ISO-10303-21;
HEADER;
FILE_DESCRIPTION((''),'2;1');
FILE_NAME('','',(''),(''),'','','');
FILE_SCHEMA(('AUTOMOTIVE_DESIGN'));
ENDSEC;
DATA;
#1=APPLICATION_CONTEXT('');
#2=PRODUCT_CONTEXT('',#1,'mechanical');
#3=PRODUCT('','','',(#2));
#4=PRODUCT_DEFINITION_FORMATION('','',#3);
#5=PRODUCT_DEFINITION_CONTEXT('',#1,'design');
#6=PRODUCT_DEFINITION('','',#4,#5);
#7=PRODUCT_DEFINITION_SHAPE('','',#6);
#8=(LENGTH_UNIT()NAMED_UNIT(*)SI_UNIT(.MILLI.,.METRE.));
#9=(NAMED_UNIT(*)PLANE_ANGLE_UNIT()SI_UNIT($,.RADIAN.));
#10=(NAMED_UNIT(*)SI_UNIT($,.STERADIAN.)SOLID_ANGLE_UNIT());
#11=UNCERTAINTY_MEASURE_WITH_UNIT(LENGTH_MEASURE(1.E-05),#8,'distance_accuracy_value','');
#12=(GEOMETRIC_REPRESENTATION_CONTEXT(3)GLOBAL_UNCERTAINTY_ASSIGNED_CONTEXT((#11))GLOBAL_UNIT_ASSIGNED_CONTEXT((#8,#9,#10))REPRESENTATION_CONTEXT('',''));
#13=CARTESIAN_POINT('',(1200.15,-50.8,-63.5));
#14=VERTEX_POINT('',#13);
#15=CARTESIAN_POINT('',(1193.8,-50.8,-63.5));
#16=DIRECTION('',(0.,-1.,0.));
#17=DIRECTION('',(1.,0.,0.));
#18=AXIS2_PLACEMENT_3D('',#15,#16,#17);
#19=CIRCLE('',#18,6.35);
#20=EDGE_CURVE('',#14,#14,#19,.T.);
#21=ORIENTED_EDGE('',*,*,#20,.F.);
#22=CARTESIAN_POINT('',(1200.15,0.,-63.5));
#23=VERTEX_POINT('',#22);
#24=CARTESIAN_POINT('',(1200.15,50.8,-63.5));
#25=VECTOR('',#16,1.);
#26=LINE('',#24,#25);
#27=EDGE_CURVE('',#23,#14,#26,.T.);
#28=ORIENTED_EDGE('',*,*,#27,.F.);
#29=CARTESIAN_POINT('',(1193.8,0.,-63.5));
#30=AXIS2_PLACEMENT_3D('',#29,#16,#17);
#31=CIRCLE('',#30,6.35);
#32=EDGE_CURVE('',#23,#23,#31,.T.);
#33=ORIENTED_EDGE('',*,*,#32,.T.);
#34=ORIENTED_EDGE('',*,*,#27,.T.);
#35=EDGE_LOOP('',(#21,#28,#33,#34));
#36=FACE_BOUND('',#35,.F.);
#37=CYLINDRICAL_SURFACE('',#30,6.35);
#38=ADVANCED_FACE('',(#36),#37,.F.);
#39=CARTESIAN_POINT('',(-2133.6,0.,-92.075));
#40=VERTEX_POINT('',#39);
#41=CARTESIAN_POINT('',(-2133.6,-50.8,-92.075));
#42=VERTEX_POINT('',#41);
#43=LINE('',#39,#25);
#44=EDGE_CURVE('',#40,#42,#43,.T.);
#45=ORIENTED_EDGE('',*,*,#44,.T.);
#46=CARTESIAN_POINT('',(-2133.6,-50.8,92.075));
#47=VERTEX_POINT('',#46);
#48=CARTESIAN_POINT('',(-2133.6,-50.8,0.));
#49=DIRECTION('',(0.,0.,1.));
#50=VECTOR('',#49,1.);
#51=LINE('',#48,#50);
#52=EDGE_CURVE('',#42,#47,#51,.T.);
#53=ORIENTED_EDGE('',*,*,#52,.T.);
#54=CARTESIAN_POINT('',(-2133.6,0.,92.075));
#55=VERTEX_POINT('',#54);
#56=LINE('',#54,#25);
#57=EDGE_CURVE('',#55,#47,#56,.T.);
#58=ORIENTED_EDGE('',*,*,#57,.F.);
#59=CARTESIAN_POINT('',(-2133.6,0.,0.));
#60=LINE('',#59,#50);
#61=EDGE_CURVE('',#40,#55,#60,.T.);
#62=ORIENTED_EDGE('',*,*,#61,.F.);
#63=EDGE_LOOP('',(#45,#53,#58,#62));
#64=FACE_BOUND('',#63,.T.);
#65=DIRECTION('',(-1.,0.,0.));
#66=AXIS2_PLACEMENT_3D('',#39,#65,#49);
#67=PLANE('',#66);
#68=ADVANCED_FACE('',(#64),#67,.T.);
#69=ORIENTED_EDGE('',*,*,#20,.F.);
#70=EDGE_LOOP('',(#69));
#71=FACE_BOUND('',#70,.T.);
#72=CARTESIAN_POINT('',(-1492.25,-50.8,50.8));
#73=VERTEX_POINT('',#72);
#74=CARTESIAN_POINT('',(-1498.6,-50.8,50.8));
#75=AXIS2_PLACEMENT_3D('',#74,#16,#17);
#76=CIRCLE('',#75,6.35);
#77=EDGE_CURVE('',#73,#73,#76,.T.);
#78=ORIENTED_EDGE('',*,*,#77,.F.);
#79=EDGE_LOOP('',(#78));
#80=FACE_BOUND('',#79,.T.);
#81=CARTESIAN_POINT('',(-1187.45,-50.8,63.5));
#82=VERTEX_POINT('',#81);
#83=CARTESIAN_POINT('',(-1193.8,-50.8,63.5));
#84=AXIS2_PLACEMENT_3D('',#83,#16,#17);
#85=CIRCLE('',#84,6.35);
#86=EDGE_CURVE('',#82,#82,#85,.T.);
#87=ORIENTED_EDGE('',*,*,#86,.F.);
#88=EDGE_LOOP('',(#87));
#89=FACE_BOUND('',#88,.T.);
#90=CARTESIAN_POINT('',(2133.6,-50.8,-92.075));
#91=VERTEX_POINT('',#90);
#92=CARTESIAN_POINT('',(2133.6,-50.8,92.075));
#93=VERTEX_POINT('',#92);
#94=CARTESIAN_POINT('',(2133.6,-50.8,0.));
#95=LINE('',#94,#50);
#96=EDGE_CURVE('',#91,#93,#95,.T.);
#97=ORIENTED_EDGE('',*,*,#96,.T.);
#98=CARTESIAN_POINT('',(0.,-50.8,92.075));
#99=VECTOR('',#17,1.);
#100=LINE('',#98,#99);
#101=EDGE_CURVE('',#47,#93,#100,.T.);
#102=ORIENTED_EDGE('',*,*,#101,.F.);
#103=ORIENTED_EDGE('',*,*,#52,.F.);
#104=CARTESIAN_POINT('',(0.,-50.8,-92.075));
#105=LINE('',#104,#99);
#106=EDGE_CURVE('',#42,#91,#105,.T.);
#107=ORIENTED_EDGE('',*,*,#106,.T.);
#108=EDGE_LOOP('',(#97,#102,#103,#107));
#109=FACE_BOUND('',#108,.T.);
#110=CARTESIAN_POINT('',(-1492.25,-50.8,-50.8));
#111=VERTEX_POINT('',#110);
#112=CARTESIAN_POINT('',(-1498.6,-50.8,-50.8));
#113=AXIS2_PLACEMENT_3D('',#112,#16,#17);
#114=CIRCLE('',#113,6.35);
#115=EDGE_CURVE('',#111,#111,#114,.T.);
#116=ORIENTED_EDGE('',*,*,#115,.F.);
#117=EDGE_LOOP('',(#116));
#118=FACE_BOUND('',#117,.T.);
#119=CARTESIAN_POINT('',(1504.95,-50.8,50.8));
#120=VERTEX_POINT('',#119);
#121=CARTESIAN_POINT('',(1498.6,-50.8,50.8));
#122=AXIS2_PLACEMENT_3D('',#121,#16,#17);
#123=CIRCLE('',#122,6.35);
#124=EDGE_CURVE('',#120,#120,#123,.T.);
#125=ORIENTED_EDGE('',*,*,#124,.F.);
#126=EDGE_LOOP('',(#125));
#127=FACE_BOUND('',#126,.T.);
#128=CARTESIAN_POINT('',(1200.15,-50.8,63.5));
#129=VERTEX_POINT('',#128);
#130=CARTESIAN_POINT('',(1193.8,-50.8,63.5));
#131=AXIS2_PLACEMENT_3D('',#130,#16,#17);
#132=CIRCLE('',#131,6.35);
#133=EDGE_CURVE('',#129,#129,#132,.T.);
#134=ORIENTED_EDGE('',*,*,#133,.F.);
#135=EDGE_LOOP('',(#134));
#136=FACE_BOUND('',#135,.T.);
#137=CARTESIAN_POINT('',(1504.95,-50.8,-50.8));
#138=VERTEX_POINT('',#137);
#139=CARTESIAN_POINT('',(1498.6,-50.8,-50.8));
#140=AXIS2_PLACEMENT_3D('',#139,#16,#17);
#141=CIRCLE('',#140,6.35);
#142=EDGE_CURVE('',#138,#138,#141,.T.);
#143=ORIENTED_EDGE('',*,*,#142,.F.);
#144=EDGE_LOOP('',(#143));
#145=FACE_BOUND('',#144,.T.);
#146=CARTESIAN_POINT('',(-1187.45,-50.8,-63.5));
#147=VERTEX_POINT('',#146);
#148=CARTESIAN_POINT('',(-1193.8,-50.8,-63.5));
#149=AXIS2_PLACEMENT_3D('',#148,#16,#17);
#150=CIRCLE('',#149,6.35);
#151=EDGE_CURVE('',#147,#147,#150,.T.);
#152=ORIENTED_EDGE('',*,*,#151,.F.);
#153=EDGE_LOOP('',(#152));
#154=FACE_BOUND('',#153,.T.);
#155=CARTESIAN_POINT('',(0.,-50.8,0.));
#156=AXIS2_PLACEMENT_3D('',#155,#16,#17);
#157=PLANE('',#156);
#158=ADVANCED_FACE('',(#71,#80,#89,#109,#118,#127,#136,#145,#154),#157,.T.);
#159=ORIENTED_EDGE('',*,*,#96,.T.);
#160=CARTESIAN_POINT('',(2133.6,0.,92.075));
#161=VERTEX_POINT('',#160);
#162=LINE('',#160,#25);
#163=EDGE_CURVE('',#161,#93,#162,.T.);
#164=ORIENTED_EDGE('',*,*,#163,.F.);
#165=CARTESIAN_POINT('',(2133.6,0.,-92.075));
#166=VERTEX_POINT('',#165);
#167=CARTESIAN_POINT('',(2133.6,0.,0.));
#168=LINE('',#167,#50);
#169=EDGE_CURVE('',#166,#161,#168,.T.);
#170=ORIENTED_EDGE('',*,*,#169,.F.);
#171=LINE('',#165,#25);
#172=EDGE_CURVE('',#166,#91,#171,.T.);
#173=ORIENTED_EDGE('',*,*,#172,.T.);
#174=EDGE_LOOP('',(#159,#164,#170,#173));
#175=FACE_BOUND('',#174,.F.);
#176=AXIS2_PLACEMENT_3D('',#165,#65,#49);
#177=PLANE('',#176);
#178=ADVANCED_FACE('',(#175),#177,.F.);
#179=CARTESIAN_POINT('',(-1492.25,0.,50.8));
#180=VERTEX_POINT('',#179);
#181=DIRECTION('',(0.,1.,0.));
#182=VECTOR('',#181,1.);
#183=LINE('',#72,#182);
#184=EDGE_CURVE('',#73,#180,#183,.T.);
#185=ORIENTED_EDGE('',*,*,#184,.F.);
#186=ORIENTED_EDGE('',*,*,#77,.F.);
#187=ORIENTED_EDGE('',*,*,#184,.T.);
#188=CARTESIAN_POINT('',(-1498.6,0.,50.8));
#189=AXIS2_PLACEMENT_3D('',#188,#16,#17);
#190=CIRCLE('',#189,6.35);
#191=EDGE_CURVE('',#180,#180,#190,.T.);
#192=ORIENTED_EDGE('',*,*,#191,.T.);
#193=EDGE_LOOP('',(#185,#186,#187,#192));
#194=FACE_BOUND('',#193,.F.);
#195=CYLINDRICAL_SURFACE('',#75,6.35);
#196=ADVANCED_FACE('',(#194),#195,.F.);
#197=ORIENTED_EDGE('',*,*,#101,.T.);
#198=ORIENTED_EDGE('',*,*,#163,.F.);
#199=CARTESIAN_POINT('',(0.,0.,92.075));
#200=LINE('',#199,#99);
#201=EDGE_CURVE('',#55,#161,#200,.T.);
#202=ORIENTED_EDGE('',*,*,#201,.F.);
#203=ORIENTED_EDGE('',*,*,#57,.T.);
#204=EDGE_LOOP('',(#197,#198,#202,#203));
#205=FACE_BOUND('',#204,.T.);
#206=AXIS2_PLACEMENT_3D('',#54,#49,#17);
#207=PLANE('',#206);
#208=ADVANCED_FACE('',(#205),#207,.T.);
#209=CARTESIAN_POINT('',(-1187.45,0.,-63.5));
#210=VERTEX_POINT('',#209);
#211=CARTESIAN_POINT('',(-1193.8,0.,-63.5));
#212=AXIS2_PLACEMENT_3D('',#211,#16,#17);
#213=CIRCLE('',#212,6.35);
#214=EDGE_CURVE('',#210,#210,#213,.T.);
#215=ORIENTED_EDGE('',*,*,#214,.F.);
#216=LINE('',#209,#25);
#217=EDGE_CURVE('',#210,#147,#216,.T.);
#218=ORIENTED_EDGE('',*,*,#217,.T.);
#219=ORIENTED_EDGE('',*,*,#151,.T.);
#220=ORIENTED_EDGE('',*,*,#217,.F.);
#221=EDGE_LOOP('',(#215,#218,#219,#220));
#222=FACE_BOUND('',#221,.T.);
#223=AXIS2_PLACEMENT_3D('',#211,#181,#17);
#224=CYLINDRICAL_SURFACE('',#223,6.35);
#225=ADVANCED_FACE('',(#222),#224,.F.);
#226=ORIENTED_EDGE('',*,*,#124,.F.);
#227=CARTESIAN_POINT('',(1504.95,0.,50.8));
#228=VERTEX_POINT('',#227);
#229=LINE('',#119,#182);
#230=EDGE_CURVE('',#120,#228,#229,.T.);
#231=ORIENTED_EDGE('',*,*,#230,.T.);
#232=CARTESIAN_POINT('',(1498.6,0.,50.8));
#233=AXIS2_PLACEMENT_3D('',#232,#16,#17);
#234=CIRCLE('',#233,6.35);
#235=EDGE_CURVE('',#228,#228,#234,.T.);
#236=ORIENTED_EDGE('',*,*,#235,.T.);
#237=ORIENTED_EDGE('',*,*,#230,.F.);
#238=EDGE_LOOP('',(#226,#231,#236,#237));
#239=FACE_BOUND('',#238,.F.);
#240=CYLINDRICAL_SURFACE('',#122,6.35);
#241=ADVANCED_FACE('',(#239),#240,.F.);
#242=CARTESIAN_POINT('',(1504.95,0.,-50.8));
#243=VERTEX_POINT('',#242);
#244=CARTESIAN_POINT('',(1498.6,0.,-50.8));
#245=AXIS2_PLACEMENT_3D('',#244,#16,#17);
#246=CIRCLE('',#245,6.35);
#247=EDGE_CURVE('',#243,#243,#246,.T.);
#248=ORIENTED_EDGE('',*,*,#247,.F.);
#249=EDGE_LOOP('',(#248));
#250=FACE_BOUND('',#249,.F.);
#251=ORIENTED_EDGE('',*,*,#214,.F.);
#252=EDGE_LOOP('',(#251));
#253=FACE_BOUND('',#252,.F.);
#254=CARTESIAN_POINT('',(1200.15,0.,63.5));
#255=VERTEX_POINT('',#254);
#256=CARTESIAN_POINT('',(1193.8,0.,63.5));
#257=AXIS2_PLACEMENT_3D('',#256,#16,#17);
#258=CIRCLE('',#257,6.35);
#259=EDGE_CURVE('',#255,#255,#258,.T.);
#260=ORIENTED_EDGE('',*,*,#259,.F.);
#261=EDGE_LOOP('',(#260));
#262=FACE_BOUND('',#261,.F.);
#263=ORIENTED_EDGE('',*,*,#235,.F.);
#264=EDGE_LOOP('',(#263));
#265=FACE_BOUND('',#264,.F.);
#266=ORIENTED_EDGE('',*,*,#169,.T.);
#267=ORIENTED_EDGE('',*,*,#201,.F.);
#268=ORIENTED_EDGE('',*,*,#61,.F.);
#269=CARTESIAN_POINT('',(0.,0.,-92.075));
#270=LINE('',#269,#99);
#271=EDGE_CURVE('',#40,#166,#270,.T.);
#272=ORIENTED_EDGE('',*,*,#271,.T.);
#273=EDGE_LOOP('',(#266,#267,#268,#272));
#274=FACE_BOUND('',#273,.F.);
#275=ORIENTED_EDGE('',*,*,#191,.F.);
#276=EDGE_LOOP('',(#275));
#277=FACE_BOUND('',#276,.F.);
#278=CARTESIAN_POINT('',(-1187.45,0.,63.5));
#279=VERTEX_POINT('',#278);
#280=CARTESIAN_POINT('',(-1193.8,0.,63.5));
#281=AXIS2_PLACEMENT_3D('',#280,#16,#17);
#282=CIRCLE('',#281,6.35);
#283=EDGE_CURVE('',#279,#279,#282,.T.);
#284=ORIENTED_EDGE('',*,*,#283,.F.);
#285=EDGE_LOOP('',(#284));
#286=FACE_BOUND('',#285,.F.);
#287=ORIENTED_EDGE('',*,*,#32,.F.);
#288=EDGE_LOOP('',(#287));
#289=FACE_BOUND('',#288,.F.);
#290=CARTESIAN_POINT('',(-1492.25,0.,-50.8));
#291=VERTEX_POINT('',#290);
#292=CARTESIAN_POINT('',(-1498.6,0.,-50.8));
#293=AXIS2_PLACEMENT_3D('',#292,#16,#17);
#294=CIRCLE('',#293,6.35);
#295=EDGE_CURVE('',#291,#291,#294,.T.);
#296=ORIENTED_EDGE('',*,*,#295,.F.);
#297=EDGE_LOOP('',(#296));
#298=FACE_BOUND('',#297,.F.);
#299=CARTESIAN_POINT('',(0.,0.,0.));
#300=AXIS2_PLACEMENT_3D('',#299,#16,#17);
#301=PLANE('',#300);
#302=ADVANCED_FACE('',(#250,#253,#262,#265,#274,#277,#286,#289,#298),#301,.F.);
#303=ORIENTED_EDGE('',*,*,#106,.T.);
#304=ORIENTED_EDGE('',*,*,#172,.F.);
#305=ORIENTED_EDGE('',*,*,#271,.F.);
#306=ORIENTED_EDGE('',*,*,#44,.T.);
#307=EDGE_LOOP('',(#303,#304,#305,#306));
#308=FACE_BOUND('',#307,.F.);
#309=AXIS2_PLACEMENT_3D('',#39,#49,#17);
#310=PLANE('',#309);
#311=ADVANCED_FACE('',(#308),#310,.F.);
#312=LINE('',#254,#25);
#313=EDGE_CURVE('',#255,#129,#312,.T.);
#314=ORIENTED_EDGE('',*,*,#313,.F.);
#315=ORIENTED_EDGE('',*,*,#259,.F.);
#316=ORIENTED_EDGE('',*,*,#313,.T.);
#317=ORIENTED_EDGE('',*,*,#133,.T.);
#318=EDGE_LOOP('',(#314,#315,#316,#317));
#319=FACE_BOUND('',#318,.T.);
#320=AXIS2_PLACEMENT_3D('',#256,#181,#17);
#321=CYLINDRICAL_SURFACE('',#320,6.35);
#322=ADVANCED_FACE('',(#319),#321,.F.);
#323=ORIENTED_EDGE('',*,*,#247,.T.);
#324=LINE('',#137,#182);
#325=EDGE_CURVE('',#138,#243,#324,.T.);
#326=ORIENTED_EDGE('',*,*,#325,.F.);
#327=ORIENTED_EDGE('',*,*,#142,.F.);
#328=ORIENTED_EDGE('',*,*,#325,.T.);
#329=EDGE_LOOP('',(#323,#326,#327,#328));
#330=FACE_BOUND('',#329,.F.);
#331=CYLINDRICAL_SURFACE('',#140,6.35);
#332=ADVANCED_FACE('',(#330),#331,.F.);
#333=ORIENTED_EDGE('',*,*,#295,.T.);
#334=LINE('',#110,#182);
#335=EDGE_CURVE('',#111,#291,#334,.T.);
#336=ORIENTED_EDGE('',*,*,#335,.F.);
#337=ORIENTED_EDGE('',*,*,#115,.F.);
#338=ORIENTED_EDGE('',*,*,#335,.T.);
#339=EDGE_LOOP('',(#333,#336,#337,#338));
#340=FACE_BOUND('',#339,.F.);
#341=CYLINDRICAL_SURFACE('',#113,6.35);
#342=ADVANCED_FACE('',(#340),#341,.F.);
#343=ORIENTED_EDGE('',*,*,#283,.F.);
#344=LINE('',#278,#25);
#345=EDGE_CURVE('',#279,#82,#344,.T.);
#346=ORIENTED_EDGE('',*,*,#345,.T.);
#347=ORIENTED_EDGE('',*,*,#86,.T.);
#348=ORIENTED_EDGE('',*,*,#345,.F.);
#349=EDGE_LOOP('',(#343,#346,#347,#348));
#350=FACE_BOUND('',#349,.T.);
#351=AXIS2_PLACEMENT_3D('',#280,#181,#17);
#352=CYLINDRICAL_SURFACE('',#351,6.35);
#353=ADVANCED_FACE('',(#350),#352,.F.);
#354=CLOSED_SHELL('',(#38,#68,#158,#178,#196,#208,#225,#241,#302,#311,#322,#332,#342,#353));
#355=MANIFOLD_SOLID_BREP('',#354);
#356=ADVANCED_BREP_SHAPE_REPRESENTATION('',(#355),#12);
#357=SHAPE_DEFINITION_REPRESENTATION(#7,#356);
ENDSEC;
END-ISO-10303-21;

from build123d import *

# Parameters (mm, degrees)
F0_W     = 4267.2
F0_H     = 184.15
F1_DEPTH = 50.8
F2_R     = 6.35
F3_DEPTH = 50.8
F4_R     = 6.35
F5_DEPTH = 50.8


with BuildPart() as f1:
    # F0 (on Front) → F1 (new body)
    with BuildSketch(Plane.XZ):
        Rectangle(F0_W, F0_H)
    extrude(amount=F1_DEPTH)

    # F2 (on face) → F3 (cut)
    with BuildSketch(Plane.XZ.offset(50.8)):
        with Locations((1498.6, 50.8)):
            Circle(F2_R)
        with Locations((1498.6, -50.8)):
            Circle(F2_R)
        with Locations((-1498.6, 50.8)):
            Circle(F2_R)
        with Locations((-1498.6, -50.8)):
            Circle(F2_R)
    extrude(amount=-F3_DEPTH, mode=Mode.SUBTRACT)

    # F4 (on Front) → F5 (cut, symmetric)
    with BuildSketch(Plane.XZ):
        with Locations((-1193.8, 63.5)):
            Circle(F4_R)
        with Locations((-1193.8, -63.5)):
            Circle(F4_R)
        with Locations((1193.8, 63.5)):
            Circle(F4_R)
        with Locations((1193.8, -63.5)):
            Circle(F4_R)
    extrude(amount=F5_DEPTH, both=True, mode=Mode.SUBTRACT)


solid = f1.part
